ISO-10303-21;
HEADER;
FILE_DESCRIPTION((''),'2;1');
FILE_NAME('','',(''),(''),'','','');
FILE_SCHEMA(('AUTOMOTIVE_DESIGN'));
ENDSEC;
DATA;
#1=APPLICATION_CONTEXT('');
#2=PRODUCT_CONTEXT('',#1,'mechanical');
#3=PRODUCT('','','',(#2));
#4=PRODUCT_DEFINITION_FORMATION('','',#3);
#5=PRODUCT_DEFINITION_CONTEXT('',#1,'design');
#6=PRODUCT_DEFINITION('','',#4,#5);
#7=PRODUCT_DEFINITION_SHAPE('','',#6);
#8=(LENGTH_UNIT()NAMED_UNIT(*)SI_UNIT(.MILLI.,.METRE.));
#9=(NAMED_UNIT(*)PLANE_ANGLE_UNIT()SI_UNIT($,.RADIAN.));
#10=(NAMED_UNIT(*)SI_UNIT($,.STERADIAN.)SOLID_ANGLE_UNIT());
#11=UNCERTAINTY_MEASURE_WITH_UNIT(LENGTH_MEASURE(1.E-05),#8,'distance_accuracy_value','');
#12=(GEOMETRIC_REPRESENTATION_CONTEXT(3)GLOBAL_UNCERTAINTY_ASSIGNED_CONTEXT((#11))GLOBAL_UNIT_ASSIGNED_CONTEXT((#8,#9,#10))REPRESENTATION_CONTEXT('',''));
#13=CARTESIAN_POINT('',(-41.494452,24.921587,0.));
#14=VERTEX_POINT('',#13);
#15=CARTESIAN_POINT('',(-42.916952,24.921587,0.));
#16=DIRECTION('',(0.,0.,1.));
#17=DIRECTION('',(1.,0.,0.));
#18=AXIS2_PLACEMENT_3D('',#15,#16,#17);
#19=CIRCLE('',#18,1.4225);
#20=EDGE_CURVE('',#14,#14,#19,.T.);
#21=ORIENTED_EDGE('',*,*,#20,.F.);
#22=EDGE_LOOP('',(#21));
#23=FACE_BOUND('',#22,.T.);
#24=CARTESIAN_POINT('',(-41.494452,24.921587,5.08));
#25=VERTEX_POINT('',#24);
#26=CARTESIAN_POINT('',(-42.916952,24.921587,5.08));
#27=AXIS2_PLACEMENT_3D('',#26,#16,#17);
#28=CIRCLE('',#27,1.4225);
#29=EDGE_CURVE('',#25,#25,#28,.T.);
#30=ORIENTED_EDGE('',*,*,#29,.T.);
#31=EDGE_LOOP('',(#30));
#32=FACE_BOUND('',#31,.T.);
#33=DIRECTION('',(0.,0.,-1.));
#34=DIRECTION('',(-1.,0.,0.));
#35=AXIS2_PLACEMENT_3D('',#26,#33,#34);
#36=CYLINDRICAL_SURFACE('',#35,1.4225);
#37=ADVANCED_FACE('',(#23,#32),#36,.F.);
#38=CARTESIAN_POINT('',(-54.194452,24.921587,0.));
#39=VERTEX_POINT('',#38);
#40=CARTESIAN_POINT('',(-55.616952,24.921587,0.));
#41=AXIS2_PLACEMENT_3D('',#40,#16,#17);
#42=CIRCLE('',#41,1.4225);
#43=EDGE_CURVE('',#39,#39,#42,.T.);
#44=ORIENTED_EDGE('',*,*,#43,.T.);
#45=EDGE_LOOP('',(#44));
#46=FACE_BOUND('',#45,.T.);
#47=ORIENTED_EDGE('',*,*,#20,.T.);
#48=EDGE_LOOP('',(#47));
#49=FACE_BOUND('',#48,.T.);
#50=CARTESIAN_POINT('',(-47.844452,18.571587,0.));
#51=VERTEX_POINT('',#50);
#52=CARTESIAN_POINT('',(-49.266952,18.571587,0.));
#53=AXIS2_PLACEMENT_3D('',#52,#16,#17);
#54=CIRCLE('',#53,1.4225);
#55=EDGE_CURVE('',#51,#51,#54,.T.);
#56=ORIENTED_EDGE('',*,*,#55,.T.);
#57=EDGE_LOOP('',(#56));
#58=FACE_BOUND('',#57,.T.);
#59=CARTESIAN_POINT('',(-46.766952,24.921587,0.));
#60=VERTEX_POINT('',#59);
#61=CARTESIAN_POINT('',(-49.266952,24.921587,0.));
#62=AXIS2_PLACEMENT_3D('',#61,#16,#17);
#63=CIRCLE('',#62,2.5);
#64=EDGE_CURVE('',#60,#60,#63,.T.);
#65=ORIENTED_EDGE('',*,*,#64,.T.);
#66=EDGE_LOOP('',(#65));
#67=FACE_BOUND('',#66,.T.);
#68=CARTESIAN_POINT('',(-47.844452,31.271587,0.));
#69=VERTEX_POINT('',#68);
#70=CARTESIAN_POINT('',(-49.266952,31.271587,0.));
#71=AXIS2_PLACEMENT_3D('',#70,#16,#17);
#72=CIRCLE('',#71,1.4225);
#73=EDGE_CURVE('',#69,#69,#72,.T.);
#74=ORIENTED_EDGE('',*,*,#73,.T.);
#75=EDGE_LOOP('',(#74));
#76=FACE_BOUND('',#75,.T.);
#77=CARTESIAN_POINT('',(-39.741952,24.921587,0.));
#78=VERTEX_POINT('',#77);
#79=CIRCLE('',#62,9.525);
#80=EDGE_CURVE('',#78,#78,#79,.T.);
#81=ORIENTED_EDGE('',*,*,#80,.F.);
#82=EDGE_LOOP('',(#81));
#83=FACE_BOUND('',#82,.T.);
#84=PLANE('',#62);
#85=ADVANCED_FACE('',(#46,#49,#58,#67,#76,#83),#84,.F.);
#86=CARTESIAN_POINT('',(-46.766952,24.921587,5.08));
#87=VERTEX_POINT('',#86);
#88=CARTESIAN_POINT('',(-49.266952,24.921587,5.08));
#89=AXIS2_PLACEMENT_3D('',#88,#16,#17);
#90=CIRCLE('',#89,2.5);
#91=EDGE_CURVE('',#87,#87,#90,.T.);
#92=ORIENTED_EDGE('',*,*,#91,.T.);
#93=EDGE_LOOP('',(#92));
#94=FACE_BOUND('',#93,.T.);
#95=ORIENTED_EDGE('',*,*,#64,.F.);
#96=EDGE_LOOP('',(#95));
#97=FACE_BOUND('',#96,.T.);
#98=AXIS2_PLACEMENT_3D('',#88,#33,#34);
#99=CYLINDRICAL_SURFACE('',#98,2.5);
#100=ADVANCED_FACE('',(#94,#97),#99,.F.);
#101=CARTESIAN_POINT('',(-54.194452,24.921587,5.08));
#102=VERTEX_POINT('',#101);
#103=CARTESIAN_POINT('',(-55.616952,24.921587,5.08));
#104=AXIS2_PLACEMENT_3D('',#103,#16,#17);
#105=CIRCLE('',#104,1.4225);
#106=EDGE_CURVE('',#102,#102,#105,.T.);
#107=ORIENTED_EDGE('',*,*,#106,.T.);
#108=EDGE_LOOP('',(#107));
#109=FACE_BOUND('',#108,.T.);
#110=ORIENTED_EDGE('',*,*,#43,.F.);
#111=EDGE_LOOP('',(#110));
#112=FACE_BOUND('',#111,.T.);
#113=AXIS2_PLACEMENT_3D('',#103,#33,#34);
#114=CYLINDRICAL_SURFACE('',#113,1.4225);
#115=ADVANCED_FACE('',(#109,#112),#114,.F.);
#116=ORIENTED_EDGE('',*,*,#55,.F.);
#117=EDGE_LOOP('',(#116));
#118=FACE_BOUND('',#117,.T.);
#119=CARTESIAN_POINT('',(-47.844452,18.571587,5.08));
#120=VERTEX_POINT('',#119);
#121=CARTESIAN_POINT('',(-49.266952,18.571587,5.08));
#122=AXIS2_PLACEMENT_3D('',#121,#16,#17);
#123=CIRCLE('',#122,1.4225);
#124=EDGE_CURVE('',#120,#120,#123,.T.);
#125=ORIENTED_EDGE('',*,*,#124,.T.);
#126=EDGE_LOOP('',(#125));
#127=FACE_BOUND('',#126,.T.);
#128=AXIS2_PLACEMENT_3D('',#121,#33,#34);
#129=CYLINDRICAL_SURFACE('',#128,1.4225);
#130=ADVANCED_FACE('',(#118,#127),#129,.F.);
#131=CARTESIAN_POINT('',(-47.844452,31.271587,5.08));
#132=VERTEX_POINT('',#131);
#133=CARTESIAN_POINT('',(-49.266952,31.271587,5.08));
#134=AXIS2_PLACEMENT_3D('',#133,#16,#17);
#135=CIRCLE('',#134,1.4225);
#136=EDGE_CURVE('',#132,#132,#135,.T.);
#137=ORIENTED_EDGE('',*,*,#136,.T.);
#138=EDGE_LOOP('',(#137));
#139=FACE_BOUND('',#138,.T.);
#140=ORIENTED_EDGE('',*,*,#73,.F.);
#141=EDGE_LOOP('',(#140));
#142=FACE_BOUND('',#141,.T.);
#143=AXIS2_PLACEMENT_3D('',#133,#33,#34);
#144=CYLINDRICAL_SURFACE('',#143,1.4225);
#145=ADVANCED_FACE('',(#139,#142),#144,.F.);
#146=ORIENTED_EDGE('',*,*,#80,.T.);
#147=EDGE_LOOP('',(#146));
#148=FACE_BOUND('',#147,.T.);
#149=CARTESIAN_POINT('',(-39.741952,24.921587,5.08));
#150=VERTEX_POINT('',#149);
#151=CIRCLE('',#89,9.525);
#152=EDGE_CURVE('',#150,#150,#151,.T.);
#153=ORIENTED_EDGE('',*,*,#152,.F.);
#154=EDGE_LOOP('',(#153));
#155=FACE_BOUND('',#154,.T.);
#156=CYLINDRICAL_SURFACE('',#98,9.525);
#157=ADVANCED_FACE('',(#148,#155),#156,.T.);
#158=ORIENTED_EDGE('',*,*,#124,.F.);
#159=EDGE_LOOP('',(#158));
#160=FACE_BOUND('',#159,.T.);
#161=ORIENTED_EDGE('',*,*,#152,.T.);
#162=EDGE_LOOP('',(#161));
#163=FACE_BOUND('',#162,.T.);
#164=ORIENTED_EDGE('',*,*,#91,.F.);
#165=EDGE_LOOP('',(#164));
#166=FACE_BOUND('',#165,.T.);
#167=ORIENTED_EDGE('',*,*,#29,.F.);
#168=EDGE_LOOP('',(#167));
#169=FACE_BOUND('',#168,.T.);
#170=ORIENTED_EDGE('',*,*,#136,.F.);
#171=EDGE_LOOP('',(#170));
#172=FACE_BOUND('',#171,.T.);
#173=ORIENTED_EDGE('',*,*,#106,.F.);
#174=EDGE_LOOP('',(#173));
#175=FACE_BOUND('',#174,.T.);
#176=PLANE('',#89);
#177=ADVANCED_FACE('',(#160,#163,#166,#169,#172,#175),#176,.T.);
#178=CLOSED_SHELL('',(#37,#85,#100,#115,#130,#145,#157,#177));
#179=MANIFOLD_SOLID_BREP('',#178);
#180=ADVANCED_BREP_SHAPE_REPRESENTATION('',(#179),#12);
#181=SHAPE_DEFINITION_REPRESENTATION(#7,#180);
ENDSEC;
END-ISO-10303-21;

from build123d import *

# Parameters (mm, degrees)
SKETCH1_R           = 9.525
SKETCH1_R_2         = 2.5
SKETCH1_R_3         = 1.4225
BOSS_EXTRUDE1_DEPTH = 5.08


with BuildPart() as part:
    # Sketch1 → Boss-Extrude1 (new body)
    with BuildSketch(Plane.XY):
        with Locations((-49.26695237, 24.921587018)):
            Circle(SKETCH1_R)
        with Locations((-49.26695237, 24.921587018)):
            Circle(SKETCH1_R_2, mode=Mode.SUBTRACT)
        with Locations((-49.26695237, 31.271587018)):
            Circle(SKETCH1_R_3, mode=Mode.SUBTRACT)
        with Locations((-42.91695237, 24.921587018)):
            Circle(SKETCH1_R_3, mode=Mode.SUBTRACT)
        with Locations((-49.26695237, 18.571587018)):
            Circle(SKETCH1_R_3, mode=Mode.SUBTRACT)
        with Locations((-55.61695237, 24.921587018)):
            Circle(SKETCH1_R_3, mode=Mode.SUBTRACT)
    extrude(amount=BOSS_EXTRUDE1_DEPTH)


solid = part.part
